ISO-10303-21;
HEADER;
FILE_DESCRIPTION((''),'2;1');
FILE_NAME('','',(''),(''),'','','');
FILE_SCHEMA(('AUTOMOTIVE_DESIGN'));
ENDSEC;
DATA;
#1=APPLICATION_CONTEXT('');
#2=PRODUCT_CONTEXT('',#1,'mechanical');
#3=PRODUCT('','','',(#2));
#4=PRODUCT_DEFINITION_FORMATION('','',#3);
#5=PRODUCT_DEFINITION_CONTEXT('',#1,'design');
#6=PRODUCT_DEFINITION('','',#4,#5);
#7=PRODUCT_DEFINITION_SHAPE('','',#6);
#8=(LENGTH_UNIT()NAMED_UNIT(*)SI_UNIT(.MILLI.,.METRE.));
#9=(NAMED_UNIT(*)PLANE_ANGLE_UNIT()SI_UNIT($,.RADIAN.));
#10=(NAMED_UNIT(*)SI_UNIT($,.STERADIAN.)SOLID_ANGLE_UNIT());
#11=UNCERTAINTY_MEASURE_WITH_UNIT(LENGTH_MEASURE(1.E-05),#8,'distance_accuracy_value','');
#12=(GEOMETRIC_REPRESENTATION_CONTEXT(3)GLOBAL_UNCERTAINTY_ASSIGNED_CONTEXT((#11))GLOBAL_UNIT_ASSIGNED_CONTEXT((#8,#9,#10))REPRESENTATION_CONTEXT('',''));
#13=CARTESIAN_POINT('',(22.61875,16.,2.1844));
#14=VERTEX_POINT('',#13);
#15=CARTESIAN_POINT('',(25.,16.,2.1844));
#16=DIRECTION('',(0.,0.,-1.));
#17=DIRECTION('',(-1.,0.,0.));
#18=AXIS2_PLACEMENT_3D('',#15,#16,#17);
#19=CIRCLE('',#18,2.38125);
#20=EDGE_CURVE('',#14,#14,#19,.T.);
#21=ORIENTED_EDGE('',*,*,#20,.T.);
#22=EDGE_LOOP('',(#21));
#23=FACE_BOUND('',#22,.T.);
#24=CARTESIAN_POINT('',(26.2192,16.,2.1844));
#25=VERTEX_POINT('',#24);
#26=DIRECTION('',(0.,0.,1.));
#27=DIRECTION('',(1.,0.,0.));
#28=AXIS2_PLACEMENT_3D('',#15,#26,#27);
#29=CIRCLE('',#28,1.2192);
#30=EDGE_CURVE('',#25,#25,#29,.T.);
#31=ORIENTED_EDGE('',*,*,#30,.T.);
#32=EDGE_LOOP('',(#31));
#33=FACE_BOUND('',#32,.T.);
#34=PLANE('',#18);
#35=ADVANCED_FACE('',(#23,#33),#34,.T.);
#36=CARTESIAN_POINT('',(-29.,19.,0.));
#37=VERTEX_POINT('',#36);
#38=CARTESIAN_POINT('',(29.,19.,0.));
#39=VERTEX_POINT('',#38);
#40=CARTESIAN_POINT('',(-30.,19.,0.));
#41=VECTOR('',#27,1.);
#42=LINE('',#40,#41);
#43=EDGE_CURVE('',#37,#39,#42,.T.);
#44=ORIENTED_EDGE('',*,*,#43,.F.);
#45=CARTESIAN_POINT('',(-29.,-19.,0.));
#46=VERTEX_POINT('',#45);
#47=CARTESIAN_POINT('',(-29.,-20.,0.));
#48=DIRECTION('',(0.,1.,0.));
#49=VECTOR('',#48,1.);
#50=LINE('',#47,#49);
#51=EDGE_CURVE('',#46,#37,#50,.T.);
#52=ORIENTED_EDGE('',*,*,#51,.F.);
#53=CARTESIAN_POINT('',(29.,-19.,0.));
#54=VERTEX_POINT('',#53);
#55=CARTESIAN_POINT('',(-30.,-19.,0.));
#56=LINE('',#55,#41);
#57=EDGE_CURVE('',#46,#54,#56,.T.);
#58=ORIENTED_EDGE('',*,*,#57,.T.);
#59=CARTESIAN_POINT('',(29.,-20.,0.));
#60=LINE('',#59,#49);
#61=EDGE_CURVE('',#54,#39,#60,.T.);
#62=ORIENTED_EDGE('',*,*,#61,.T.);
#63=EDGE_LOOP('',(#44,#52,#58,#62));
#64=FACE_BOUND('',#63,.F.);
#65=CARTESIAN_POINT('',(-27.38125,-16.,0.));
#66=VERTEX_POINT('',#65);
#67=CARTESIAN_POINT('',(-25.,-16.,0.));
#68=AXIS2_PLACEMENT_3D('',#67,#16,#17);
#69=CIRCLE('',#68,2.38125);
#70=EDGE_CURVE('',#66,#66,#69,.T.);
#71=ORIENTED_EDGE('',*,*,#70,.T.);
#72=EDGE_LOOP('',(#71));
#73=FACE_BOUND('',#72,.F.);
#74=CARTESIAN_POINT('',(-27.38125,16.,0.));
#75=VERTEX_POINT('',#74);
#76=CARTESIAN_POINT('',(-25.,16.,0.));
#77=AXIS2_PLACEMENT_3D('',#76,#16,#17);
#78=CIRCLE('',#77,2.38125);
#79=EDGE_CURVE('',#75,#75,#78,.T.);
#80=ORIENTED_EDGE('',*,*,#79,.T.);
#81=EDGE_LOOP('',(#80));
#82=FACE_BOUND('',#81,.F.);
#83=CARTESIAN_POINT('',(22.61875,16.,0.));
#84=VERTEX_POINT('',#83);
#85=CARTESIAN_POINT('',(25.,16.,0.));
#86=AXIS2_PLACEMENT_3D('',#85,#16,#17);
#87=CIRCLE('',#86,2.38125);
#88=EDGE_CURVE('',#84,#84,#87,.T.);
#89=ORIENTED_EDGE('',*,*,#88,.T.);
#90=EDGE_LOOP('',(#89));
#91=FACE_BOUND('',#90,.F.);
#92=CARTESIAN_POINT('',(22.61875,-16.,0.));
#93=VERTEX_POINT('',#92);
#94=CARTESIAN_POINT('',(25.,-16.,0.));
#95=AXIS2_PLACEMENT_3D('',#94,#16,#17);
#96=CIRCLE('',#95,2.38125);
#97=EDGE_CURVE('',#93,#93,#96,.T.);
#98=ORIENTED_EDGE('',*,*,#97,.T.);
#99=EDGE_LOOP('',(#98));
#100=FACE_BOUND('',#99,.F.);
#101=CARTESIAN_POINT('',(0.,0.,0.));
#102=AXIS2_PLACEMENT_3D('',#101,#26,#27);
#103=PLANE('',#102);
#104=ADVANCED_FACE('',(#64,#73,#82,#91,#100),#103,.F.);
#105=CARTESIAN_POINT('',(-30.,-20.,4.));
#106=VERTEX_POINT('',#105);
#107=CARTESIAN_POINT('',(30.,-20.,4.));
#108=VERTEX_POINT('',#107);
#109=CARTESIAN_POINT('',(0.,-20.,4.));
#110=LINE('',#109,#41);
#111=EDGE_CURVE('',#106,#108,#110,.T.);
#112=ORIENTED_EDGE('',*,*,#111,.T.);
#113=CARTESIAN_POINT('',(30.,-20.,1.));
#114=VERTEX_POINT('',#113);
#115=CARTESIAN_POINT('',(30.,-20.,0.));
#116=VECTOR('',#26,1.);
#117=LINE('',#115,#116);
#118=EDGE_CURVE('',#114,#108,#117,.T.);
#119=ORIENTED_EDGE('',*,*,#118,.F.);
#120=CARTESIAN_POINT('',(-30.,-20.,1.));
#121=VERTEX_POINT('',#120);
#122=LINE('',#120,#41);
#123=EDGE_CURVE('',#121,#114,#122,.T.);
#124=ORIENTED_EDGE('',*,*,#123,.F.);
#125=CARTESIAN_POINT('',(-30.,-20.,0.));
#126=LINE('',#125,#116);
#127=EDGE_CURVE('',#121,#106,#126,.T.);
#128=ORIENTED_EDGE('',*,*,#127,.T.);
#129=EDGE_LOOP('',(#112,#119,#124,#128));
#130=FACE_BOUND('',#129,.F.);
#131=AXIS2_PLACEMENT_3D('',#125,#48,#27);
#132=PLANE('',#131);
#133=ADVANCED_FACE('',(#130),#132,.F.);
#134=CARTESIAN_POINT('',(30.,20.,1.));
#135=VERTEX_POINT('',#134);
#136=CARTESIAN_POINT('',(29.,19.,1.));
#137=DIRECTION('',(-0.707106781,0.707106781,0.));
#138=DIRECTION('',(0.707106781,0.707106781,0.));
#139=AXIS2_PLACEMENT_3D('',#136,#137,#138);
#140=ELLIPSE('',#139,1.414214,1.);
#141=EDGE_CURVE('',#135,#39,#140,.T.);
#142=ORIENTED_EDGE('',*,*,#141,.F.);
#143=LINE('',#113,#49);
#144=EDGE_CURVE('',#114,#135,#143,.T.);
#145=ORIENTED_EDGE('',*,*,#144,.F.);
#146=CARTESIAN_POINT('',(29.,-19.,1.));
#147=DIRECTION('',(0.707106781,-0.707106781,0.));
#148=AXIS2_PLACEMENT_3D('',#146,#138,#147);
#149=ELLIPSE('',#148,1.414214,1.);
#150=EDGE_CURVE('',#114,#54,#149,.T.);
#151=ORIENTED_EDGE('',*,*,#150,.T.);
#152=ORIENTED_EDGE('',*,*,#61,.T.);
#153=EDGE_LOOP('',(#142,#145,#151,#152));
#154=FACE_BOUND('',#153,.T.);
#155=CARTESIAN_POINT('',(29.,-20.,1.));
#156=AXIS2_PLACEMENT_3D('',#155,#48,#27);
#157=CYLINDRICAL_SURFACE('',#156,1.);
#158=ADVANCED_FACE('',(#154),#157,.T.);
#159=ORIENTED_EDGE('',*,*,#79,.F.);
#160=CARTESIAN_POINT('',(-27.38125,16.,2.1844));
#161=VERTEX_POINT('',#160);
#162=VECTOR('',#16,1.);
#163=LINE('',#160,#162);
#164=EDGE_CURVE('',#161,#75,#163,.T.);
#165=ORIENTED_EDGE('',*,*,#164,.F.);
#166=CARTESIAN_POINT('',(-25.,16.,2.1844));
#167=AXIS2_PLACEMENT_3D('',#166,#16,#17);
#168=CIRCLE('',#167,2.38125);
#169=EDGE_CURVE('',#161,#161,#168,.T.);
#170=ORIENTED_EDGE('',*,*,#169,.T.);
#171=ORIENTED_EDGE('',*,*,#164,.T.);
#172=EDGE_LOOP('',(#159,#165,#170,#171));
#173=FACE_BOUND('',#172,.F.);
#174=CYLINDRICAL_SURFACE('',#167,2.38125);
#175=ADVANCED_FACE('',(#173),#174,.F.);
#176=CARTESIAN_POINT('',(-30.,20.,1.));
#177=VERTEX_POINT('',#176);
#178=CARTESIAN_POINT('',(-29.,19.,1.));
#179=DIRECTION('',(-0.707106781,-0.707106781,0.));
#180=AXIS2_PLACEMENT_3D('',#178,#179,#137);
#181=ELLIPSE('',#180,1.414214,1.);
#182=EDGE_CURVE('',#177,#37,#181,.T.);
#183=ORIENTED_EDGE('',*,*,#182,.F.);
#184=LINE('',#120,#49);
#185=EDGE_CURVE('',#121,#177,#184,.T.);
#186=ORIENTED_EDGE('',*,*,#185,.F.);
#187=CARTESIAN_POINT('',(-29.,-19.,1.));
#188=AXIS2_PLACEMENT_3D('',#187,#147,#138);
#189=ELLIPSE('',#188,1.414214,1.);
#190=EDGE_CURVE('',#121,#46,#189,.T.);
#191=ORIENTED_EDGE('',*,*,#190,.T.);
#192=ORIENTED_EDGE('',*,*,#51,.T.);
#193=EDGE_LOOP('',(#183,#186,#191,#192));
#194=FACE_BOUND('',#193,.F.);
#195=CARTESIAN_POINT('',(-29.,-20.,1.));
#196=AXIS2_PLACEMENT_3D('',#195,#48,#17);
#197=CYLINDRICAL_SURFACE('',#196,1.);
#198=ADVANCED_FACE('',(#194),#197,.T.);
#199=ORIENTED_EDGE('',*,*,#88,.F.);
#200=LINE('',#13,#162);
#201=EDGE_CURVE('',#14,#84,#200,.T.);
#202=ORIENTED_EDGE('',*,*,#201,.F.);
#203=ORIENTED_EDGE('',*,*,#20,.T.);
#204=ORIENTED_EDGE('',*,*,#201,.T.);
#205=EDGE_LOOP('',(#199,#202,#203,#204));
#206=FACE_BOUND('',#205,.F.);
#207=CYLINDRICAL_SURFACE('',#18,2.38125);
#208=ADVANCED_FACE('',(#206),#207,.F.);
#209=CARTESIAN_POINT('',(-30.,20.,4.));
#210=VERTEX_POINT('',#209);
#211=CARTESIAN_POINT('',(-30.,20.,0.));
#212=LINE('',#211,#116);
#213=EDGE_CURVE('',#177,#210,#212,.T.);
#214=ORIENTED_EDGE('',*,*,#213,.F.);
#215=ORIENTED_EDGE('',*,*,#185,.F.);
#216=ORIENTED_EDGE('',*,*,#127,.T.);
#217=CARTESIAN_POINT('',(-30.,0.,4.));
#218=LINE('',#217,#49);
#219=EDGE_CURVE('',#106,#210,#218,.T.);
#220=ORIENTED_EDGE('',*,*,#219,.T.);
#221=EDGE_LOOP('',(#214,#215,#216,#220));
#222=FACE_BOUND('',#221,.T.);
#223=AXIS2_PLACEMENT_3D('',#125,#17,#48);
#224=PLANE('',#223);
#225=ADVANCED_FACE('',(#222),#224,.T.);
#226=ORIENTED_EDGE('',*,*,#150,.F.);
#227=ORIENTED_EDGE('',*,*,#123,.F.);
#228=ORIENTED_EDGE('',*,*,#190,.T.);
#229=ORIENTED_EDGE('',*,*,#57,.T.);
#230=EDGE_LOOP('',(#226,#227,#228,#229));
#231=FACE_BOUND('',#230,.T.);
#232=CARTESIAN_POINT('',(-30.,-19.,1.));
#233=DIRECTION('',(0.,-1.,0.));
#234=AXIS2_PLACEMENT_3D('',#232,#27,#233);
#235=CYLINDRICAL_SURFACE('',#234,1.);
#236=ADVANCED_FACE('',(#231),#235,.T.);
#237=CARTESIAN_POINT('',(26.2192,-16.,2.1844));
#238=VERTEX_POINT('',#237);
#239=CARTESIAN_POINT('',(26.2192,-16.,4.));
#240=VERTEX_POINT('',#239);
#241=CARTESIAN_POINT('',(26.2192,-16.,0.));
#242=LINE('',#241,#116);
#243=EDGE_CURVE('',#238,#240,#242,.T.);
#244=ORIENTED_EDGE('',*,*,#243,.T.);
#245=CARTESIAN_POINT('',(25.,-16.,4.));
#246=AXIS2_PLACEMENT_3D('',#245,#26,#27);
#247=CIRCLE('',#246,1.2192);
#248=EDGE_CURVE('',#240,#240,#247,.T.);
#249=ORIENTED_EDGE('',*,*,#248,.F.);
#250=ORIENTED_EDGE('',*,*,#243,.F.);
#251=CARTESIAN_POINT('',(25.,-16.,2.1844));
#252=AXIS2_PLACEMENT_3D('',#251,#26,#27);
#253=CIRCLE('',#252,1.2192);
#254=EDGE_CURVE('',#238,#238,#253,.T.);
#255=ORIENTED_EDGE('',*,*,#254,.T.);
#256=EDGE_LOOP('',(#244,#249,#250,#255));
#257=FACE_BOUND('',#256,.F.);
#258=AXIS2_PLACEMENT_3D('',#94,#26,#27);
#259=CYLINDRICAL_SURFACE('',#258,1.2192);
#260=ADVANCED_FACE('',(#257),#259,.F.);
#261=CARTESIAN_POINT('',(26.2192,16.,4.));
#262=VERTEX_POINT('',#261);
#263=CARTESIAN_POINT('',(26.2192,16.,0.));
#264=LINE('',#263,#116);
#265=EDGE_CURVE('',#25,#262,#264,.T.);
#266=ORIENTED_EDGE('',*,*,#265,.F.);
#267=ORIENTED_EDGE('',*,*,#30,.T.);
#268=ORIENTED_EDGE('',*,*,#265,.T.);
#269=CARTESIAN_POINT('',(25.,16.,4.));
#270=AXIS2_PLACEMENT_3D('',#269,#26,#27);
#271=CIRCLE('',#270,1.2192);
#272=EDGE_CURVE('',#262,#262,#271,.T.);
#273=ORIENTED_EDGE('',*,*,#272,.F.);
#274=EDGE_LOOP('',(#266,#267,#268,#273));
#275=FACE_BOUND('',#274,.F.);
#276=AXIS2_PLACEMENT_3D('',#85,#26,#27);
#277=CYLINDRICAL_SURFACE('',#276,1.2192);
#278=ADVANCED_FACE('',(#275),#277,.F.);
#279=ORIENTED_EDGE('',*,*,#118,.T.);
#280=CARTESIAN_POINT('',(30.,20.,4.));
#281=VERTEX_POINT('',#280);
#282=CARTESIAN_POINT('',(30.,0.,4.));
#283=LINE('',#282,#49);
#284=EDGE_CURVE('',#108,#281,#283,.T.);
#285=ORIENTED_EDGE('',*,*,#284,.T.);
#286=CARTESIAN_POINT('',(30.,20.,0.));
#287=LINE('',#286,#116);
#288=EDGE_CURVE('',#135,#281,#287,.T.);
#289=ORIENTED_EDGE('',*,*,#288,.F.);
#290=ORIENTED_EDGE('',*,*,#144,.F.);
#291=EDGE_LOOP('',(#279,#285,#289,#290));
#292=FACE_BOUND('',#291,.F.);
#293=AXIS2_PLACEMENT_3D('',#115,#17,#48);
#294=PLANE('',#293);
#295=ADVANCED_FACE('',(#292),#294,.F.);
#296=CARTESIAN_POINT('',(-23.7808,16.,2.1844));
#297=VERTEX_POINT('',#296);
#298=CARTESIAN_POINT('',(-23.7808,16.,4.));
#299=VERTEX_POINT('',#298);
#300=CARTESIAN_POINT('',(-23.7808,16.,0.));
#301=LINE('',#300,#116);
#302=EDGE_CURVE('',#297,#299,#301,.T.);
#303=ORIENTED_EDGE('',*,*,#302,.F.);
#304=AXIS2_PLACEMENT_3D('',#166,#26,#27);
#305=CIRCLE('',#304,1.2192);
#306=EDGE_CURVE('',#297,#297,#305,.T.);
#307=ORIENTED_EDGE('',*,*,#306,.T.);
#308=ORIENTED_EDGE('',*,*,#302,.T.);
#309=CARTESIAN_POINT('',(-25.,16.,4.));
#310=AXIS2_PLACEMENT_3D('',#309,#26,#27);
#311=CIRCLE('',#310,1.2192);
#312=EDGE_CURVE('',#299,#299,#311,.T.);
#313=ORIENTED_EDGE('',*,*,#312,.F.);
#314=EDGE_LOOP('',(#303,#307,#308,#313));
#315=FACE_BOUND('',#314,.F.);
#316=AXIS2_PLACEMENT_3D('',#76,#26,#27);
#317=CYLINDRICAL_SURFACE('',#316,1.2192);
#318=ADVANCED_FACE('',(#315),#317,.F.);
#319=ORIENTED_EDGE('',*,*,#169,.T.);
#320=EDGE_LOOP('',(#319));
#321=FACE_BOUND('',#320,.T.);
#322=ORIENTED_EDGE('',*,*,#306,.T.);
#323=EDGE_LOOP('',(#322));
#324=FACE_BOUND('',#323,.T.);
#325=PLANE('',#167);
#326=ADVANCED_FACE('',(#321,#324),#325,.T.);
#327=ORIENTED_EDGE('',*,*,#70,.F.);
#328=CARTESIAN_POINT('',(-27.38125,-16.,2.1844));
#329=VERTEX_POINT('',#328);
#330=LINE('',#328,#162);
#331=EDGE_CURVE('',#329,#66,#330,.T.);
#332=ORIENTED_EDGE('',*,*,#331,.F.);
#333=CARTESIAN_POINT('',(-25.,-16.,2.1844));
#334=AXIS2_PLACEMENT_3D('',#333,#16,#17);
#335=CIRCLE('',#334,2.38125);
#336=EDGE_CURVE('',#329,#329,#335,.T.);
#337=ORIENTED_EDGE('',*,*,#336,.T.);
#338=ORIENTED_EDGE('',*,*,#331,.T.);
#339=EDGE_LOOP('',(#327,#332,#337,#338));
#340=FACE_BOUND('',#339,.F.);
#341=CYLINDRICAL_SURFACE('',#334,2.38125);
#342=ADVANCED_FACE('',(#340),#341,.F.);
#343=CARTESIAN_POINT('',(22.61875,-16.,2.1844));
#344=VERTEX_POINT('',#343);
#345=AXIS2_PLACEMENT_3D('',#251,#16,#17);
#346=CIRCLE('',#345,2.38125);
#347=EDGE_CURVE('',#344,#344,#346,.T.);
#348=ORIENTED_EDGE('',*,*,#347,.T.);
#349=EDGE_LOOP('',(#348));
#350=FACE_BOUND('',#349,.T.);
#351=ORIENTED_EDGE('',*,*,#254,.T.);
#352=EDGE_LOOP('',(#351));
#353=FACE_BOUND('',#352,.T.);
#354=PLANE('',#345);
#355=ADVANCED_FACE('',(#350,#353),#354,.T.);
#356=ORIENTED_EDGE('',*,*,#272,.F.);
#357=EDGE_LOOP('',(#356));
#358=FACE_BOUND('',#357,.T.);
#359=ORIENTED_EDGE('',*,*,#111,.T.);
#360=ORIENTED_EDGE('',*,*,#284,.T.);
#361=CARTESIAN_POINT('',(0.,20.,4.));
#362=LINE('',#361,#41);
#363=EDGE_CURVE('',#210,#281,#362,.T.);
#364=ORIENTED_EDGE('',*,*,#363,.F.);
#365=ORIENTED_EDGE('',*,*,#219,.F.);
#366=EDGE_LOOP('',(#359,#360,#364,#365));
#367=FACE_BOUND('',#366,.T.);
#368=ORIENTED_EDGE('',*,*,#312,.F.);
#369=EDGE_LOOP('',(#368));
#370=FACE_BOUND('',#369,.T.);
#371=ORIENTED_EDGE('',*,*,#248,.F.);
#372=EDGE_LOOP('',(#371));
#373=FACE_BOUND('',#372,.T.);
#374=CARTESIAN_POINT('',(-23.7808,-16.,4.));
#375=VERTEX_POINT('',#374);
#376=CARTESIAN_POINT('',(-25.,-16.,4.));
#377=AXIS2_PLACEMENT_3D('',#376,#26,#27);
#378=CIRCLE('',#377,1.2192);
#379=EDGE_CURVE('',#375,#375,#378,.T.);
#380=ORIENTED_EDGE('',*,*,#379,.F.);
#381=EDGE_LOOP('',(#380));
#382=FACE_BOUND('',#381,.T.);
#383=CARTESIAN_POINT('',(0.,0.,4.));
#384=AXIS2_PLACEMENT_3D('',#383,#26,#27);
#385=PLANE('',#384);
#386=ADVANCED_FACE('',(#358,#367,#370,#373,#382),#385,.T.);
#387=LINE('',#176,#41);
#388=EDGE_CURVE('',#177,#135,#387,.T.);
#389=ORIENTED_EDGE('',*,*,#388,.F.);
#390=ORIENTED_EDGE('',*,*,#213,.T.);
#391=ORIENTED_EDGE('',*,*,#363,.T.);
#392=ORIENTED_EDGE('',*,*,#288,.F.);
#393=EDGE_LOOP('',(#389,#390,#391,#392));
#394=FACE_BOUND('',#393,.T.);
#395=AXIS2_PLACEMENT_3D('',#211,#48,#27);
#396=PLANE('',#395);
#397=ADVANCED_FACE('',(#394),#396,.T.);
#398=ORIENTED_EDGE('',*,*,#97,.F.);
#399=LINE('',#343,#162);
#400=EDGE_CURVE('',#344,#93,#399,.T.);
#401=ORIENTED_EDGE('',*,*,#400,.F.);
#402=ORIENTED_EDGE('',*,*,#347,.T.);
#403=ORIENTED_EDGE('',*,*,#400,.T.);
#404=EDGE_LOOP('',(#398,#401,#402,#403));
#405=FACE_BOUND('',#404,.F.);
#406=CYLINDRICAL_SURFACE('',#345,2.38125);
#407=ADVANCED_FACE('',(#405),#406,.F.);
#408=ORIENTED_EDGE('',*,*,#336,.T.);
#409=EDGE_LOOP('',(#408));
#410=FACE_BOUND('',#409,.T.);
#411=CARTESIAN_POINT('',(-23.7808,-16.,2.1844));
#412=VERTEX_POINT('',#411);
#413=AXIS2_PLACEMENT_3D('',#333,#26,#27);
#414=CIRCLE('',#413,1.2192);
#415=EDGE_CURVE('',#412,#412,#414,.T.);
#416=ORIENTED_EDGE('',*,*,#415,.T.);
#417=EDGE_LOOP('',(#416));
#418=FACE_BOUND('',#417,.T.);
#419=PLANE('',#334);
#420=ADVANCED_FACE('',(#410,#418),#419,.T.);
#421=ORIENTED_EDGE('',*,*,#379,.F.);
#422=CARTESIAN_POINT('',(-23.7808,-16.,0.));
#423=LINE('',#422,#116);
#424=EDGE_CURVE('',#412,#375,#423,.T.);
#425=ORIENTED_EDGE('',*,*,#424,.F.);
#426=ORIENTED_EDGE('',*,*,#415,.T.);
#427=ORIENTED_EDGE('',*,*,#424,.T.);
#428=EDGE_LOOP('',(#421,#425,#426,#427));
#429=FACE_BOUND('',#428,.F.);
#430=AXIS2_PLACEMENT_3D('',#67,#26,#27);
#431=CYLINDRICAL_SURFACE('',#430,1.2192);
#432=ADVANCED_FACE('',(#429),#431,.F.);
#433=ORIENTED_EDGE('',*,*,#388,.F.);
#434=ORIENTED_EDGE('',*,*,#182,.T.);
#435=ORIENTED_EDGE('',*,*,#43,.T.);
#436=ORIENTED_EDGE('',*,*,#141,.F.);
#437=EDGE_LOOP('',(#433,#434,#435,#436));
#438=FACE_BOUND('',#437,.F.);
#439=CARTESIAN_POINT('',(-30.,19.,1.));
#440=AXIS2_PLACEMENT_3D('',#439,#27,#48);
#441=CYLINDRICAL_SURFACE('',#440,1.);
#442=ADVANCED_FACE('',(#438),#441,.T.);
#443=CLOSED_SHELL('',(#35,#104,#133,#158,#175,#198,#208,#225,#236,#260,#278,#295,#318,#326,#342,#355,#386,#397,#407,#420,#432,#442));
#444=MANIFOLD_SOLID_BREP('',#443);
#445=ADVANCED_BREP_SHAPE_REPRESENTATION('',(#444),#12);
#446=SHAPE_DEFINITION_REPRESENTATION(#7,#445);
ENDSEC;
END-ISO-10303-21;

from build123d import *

# Parameters (mm, degrees)
SKETCH1_W                                      = 60
SKETCH1_H                                      = 40
BOSS_EXTRUDE1_DEPTH                            = 4
FILLET1_R                                      = 1
CBORE_FOR_2_SOCKET_HEAD_CAP_SCREW1_D           = 2.4384
CBORE_FOR_2_SOCKET_HEAD_CAP_SCREW1_DEPTH       = 15
CBORE_FOR_2_SOCKET_HEAD_CAP_SCREW1_CBORE_D     = 4.7625
CBORE_FOR_2_SOCKET_HEAD_CAP_SCREW1_CBORE_DEPTH = 2.1844
CBORE_FOR_2_SOCKET_HEAD_CAP_SCREW1_TIP         = 0.732569267


with BuildPart() as part:
    # Sketch1 → Boss-Extrude1 (new body)
    with BuildSketch(Plane.XY):
        Rectangle(SKETCH1_W, SKETCH1_H)
    extrude(amount=BOSS_EXTRUDE1_DEPTH)

    # Fillet1
    fillet1_edges = [part.edges().sort_by_distance(p)[0] for p in [
        (0, -20, 0),
        (-30, 0, 0),
        (0, 20, 0),
        (30, 0, 0),
    ]]
    fillet(fillet1_edges, radius=FILLET1_R)

    # CBORE for #2 Socket Head Cap Screw1
    with Locations(Plane(origin=(-25, -16, 0), x_dir=(-1, 0, 0), z_dir=(0, 0, -1))):
        with Locations((0, 0), (0, 32), (-50, 32), (-50, 0)):
            CounterBoreHole(CBORE_FOR_2_SOCKET_HEAD_CAP_SCREW1_D / 2, CBORE_FOR_2_SOCKET_HEAD_CAP_SCREW1_CBORE_D / 2, CBORE_FOR_2_SOCKET_HEAD_CAP_SCREW1_CBORE_DEPTH, depth=CBORE_FOR_2_SOCKET_HEAD_CAP_SCREW1_DEPTH)
            with Locations((0, 0, -(CBORE_FOR_2_SOCKET_HEAD_CAP_SCREW1_DEPTH + CBORE_FOR_2_SOCKET_HEAD_CAP_SCREW1_TIP / 2))):  # 118° drill point
                Cone(0, CBORE_FOR_2_SOCKET_HEAD_CAP_SCREW1_D / 2, CBORE_FOR_2_SOCKET_HEAD_CAP_SCREW1_TIP, mode=Mode.SUBTRACT)


solid = part.part
